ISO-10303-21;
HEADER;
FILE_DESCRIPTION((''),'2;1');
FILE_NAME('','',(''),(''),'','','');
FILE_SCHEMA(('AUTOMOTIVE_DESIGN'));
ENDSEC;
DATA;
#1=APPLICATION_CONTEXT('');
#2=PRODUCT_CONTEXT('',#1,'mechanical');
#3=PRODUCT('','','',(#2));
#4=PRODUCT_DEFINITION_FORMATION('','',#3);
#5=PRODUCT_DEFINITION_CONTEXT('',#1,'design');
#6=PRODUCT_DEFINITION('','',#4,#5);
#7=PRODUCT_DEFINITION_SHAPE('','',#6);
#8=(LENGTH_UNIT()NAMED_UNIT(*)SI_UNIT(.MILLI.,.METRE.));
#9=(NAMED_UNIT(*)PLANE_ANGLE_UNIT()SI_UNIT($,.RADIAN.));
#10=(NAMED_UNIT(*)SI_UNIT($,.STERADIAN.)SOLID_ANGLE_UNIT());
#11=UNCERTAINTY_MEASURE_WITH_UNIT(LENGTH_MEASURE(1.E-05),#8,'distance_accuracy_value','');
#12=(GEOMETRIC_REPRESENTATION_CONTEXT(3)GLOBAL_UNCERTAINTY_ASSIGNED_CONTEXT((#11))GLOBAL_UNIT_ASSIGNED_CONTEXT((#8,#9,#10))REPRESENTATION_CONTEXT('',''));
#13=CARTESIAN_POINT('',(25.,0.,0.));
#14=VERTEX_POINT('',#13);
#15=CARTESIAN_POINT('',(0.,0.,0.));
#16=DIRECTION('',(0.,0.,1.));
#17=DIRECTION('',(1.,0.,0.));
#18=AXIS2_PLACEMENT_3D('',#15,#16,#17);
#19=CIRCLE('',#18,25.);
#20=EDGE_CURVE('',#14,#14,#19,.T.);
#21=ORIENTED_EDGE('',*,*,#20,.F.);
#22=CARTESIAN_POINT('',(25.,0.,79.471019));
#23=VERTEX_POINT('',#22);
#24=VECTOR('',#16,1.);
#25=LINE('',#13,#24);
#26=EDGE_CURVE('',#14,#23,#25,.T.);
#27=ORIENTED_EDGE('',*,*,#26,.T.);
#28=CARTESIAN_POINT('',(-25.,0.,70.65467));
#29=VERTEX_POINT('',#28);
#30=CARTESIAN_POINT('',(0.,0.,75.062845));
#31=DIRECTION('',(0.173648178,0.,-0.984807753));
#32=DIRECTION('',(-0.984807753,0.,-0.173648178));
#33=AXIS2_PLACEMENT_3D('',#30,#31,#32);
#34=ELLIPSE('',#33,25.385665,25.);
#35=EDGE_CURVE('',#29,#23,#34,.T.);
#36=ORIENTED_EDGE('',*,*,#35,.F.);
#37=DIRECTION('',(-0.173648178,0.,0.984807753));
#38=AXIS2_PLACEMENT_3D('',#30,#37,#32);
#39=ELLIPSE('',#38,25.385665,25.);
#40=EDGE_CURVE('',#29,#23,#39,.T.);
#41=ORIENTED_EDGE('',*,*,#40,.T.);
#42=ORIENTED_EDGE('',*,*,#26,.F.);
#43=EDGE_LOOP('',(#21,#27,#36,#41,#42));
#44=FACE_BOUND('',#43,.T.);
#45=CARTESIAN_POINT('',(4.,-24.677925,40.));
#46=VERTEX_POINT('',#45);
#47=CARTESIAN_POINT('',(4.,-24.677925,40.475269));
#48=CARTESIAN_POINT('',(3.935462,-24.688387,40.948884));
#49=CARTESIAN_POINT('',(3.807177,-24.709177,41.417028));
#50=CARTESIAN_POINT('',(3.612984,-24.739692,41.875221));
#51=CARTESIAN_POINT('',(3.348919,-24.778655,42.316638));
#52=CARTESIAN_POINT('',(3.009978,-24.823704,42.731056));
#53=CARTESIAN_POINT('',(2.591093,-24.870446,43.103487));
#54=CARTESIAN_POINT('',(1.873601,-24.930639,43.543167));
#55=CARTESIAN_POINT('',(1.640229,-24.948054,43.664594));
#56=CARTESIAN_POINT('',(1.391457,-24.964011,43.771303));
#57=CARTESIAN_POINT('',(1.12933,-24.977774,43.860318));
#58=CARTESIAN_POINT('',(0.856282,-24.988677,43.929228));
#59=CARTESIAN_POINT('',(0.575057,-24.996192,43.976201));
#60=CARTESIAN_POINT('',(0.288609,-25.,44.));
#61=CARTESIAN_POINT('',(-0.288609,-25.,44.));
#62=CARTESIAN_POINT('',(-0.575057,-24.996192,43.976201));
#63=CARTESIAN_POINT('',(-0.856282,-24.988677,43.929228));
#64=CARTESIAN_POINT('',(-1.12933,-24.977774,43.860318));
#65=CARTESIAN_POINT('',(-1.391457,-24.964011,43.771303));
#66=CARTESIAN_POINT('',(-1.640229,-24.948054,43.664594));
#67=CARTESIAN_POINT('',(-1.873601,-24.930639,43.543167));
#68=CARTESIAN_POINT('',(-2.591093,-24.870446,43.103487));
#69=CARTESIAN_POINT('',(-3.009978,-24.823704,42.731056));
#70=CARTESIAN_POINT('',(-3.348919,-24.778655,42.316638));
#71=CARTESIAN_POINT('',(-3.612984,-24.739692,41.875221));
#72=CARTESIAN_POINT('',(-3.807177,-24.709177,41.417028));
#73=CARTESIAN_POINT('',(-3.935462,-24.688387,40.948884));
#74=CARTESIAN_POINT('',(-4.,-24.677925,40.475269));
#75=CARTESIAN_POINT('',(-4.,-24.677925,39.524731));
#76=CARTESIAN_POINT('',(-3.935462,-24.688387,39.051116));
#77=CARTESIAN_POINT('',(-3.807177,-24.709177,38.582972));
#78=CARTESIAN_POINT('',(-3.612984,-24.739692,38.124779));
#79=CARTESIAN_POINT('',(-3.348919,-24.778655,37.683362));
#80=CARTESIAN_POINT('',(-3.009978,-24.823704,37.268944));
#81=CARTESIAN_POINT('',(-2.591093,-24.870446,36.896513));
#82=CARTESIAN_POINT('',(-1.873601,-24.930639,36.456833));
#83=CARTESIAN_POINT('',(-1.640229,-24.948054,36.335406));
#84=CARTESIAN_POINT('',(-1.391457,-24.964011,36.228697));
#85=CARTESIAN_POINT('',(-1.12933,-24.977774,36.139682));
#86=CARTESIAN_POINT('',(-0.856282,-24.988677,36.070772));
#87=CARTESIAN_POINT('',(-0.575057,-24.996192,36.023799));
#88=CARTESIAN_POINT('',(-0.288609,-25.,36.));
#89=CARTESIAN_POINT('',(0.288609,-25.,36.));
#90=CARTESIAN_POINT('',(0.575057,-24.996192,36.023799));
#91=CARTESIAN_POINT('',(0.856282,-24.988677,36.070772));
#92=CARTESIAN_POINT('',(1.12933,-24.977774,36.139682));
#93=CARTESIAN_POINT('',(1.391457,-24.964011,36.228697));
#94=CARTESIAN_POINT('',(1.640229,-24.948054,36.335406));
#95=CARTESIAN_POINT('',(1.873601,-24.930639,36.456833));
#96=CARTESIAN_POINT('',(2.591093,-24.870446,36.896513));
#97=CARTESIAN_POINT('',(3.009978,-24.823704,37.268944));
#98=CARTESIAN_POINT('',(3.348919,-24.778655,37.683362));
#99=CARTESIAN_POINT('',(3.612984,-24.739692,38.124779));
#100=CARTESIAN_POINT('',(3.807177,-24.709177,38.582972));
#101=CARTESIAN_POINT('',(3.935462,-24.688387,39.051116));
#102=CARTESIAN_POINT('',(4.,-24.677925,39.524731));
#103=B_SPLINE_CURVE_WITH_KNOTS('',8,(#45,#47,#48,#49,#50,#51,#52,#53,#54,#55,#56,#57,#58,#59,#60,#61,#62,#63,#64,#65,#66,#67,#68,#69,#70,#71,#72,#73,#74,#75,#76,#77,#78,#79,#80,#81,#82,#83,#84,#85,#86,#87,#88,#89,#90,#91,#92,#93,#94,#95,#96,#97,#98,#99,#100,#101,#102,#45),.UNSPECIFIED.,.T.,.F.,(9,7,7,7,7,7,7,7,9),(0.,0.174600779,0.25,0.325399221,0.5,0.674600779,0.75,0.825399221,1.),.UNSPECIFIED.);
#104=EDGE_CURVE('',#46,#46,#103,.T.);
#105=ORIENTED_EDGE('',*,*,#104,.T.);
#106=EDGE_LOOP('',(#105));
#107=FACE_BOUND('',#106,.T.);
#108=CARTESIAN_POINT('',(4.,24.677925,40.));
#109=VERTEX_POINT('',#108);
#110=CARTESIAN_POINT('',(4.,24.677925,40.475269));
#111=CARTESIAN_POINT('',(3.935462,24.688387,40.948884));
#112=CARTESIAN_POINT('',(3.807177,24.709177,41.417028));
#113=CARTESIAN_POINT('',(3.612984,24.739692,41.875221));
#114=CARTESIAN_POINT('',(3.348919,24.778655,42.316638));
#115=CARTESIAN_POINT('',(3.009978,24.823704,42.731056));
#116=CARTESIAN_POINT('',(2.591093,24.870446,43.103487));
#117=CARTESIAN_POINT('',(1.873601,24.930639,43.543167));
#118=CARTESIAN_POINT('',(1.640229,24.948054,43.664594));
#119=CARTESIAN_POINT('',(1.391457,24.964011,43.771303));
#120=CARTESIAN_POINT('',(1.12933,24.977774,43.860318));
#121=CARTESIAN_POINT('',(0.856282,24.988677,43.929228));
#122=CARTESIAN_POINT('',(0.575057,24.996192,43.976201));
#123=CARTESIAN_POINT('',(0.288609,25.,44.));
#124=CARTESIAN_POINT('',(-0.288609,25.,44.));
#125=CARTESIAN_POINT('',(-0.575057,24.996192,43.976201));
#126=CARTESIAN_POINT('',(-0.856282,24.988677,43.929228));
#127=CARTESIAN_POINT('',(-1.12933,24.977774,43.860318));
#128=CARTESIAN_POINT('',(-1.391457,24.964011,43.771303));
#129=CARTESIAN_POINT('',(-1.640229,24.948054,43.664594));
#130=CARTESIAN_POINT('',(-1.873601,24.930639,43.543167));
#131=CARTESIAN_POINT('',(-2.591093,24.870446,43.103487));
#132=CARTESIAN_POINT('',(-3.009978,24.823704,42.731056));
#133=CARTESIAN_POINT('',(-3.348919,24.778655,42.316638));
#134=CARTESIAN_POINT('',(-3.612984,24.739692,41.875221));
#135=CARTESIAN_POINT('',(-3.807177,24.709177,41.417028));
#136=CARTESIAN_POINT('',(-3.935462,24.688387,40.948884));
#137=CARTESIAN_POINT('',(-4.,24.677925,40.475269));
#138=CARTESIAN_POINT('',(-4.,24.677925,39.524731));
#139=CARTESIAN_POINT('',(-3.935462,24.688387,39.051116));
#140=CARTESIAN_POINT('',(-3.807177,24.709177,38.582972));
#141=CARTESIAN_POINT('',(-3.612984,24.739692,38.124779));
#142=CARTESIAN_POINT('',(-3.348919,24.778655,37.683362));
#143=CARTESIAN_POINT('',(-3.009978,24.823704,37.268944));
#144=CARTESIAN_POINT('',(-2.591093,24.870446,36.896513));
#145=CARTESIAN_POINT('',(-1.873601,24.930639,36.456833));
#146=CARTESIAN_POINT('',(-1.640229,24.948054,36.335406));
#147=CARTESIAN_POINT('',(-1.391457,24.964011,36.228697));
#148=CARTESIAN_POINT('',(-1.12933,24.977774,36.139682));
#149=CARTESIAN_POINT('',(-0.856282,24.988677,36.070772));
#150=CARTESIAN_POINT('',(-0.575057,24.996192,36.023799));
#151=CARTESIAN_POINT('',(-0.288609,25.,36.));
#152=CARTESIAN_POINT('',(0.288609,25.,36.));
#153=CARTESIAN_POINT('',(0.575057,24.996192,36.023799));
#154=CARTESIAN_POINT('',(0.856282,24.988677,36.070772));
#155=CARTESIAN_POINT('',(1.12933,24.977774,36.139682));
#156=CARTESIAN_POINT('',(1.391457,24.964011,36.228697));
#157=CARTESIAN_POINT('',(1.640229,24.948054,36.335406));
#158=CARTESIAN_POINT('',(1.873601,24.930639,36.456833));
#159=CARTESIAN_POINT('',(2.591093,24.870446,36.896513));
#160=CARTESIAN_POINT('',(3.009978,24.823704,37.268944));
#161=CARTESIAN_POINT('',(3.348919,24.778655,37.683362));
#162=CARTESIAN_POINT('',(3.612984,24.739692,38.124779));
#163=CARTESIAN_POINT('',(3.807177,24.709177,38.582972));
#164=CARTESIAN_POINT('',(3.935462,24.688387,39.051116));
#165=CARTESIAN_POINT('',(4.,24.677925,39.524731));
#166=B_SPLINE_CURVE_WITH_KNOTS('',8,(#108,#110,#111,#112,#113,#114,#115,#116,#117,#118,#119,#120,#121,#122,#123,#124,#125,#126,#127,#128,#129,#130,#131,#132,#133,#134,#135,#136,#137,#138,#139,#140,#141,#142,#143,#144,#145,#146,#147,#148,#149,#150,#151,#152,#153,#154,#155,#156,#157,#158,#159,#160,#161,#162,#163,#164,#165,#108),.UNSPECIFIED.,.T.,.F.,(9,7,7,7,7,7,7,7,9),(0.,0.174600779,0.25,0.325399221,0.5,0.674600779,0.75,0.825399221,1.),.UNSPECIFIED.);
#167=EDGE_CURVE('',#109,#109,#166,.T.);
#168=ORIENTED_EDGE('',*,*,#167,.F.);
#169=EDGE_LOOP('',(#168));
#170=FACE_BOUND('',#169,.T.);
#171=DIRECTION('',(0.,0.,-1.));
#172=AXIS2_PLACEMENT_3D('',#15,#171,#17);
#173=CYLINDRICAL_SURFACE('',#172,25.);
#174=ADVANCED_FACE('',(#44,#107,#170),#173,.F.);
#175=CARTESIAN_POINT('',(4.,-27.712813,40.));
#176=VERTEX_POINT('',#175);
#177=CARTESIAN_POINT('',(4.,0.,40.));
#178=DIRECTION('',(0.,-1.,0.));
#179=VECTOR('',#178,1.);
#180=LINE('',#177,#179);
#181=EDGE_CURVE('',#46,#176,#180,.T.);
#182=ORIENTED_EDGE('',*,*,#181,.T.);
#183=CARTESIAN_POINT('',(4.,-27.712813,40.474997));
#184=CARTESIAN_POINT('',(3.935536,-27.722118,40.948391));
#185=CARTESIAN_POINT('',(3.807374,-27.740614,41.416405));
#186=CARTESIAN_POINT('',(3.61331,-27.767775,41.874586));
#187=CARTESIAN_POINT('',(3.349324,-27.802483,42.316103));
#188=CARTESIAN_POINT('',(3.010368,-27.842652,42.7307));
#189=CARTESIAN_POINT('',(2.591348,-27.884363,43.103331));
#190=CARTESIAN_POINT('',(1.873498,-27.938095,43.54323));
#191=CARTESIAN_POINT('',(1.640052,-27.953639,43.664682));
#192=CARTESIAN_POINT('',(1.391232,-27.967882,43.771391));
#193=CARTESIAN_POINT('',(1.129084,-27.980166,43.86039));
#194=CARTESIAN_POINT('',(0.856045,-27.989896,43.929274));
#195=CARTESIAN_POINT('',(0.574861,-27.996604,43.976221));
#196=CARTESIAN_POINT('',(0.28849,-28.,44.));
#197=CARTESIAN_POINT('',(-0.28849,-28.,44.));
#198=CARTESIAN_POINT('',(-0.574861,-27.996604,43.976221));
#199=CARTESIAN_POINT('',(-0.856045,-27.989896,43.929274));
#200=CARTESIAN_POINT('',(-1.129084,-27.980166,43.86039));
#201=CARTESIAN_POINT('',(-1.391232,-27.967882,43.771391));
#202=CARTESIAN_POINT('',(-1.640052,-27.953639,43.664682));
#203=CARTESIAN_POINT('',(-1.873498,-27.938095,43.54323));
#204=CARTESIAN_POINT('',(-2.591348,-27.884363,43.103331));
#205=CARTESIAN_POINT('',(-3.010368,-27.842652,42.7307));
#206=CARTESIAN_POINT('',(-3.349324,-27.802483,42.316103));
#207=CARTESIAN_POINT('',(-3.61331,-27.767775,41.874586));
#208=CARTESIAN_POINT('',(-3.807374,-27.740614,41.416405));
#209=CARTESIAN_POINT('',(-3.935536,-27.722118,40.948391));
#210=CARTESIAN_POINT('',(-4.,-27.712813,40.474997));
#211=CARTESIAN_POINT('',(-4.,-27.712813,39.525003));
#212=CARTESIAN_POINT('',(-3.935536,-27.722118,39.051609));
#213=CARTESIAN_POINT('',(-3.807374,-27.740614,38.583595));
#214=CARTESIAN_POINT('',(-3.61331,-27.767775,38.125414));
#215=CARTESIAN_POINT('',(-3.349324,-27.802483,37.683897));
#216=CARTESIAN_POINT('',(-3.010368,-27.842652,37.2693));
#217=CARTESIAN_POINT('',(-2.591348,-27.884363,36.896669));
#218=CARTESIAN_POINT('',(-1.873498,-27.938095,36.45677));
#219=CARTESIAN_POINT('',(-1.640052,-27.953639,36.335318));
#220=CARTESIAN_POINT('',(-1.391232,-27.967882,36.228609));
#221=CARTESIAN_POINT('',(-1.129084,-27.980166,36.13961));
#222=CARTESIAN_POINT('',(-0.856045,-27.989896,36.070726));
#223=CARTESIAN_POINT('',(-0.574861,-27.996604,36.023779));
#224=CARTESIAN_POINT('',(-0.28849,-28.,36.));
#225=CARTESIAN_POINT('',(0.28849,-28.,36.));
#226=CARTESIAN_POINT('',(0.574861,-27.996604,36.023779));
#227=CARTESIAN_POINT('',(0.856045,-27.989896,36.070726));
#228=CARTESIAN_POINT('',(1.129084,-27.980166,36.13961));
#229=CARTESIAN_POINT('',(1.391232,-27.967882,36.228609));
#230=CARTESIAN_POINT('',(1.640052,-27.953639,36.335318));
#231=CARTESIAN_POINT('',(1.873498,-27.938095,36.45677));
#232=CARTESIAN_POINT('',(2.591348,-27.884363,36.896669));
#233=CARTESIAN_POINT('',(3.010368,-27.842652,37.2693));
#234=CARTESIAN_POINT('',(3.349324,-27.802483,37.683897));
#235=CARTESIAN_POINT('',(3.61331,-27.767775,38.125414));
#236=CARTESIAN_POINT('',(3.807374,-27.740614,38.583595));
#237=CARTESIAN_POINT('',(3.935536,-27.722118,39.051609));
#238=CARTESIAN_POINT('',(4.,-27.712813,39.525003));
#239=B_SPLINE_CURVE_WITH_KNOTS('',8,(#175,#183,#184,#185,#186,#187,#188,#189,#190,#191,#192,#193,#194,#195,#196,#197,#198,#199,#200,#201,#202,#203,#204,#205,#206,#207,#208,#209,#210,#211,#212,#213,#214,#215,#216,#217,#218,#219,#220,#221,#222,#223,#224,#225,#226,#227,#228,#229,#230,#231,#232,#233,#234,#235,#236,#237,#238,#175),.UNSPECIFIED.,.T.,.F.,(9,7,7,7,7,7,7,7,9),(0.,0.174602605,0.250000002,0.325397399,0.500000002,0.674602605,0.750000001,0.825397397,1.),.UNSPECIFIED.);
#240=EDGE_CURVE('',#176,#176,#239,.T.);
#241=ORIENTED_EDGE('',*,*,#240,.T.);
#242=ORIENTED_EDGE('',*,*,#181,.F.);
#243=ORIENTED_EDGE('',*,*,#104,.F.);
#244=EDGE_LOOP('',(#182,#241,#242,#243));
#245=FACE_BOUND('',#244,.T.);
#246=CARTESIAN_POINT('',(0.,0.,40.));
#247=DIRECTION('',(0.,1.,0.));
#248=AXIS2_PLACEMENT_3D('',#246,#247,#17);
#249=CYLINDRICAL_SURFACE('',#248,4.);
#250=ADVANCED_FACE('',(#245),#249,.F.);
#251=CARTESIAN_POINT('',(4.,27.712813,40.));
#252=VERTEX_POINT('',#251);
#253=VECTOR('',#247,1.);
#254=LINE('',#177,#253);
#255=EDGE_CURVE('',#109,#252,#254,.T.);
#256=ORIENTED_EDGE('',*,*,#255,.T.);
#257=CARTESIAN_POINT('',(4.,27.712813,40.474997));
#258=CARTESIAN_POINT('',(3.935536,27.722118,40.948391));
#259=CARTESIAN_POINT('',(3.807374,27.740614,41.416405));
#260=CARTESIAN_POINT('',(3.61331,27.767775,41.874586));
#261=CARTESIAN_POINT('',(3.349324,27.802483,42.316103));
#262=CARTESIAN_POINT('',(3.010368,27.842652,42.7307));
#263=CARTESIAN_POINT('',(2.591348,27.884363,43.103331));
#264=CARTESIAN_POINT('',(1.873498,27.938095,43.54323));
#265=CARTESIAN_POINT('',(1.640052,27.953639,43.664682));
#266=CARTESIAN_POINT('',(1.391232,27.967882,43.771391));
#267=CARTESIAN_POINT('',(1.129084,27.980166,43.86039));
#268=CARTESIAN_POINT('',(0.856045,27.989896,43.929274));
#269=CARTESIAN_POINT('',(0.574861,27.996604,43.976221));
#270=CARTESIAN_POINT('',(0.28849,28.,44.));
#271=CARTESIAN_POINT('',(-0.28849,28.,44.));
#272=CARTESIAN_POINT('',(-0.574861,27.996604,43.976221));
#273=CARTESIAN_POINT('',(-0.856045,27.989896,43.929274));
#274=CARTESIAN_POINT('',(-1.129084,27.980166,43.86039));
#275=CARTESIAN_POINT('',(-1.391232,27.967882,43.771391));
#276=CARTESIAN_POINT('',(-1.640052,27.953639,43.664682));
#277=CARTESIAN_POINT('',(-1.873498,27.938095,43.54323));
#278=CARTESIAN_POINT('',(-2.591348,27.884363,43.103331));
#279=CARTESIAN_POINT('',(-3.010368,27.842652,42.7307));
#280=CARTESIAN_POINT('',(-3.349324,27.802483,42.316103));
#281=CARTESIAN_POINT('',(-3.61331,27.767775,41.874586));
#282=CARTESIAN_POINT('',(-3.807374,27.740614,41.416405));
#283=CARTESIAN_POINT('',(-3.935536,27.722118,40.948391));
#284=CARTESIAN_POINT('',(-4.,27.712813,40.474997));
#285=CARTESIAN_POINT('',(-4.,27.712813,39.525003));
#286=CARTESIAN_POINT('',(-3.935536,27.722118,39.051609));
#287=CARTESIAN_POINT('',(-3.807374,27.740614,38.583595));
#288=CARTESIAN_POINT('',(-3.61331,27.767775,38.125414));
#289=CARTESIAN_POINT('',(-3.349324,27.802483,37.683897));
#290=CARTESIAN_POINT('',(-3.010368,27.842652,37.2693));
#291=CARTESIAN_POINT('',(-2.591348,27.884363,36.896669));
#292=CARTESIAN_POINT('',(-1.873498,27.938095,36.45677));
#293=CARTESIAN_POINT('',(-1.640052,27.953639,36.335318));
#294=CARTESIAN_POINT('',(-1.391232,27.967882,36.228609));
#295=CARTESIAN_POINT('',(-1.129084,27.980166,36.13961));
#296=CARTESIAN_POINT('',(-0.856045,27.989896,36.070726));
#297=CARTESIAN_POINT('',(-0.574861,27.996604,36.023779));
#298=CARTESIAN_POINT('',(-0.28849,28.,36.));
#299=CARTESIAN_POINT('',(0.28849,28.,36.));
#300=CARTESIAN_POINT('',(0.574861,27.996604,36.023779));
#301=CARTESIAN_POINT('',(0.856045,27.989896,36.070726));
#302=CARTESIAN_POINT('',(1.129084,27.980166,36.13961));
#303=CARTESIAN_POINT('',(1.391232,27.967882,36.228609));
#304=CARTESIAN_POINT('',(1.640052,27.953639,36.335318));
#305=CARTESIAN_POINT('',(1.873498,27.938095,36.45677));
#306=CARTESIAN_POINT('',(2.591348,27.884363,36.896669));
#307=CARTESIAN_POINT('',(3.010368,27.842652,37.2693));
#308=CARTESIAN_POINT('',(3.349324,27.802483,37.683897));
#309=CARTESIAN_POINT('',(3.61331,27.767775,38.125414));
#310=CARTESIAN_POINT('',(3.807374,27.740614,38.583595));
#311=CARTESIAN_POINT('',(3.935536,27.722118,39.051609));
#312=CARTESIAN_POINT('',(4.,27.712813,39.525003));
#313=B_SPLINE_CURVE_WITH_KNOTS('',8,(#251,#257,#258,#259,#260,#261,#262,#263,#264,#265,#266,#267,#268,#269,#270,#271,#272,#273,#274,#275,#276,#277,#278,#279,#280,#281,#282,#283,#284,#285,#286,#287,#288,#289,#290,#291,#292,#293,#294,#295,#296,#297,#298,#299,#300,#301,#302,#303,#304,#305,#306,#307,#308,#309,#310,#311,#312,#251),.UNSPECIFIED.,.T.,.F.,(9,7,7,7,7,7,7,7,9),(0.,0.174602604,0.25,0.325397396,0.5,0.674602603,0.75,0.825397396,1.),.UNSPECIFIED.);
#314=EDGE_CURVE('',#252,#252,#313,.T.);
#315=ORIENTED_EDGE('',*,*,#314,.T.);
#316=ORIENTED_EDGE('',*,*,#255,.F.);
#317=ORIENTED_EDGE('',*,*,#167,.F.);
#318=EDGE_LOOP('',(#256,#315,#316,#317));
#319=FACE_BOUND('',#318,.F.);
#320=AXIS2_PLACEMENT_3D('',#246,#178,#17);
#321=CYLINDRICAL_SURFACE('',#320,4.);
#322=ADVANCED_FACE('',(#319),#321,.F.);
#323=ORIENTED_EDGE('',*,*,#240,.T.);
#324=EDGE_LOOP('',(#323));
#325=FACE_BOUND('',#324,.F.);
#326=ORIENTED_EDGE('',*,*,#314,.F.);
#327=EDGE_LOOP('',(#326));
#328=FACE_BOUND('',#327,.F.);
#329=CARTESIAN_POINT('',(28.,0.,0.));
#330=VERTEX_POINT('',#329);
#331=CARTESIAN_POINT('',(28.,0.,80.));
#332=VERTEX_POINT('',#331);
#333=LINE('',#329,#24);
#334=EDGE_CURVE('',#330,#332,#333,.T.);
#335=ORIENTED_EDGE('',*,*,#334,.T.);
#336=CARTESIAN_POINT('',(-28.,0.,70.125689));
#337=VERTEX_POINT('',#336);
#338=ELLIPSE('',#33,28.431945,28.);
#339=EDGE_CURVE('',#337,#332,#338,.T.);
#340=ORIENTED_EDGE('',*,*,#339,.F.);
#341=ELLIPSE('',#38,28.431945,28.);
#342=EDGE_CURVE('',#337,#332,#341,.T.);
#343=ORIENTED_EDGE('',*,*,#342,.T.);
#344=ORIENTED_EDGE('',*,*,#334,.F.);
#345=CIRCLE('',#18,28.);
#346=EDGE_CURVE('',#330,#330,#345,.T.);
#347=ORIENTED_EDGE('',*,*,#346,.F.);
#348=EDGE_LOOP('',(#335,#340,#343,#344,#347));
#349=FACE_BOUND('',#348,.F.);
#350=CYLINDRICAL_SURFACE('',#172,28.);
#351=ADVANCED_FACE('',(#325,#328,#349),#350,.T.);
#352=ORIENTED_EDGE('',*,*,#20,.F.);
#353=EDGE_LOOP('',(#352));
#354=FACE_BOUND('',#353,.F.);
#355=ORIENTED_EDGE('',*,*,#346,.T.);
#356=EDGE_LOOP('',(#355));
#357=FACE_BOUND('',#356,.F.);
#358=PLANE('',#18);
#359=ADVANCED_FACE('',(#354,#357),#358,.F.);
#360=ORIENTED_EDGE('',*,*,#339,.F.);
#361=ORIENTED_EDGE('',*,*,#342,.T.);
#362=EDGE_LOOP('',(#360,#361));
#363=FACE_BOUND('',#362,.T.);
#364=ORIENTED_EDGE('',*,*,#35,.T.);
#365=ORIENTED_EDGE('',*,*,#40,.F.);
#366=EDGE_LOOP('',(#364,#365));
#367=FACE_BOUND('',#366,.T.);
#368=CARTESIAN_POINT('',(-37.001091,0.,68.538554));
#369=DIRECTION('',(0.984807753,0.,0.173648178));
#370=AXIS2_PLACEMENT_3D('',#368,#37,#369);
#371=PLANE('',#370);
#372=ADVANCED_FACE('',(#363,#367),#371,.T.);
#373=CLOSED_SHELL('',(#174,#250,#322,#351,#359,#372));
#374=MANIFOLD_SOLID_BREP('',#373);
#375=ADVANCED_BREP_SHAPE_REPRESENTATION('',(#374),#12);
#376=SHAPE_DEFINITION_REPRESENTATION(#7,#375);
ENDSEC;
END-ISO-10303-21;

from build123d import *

# Parameters (mm, degrees)
F0_R          = 28
F0_R_2        = 25
F1_DEPTH      = 80
F3_DEPTH      = 32.9
F3_DEPTH_BACK = 46.7
F4_R          = 4
F5_DEPTH      = 64.5
F5_DEPTH_BACK = 79.1


with BuildPart() as f1:
    # F0 (on Top) → F1 (new body)
    with BuildSketch(Plane.XY):
        Circle(F0_R)
        Circle(F0_R_2, mode=Mode.SUBTRACT)
    extrude(amount=F1_DEPTH)

    # F2 (on Front) → F3 (cut, two sides)
    with BuildSketch(Plane.XZ) as f3_sk:
        Polygon((-37.074200809, 93.2216271758), (-37.0010906232, 68.5385539477), (28, 80), align=None)
    extrude(amount=-F3_DEPTH, mode=Mode.SUBTRACT)
    extrude(f3_sk.sketch, amount=F3_DEPTH_BACK, mode=Mode.SUBTRACT)

    # F4 (on Front) → F5 (cut, two sides)
    with BuildSketch(Plane.XZ) as f5_sk:
        with Locations((0, 40)):
            Circle(F4_R)
    extrude(amount=-F5_DEPTH, mode=Mode.SUBTRACT)
    extrude(f5_sk.sketch, amount=F5_DEPTH_BACK, mode=Mode.SUBTRACT)


solid = f1.part
